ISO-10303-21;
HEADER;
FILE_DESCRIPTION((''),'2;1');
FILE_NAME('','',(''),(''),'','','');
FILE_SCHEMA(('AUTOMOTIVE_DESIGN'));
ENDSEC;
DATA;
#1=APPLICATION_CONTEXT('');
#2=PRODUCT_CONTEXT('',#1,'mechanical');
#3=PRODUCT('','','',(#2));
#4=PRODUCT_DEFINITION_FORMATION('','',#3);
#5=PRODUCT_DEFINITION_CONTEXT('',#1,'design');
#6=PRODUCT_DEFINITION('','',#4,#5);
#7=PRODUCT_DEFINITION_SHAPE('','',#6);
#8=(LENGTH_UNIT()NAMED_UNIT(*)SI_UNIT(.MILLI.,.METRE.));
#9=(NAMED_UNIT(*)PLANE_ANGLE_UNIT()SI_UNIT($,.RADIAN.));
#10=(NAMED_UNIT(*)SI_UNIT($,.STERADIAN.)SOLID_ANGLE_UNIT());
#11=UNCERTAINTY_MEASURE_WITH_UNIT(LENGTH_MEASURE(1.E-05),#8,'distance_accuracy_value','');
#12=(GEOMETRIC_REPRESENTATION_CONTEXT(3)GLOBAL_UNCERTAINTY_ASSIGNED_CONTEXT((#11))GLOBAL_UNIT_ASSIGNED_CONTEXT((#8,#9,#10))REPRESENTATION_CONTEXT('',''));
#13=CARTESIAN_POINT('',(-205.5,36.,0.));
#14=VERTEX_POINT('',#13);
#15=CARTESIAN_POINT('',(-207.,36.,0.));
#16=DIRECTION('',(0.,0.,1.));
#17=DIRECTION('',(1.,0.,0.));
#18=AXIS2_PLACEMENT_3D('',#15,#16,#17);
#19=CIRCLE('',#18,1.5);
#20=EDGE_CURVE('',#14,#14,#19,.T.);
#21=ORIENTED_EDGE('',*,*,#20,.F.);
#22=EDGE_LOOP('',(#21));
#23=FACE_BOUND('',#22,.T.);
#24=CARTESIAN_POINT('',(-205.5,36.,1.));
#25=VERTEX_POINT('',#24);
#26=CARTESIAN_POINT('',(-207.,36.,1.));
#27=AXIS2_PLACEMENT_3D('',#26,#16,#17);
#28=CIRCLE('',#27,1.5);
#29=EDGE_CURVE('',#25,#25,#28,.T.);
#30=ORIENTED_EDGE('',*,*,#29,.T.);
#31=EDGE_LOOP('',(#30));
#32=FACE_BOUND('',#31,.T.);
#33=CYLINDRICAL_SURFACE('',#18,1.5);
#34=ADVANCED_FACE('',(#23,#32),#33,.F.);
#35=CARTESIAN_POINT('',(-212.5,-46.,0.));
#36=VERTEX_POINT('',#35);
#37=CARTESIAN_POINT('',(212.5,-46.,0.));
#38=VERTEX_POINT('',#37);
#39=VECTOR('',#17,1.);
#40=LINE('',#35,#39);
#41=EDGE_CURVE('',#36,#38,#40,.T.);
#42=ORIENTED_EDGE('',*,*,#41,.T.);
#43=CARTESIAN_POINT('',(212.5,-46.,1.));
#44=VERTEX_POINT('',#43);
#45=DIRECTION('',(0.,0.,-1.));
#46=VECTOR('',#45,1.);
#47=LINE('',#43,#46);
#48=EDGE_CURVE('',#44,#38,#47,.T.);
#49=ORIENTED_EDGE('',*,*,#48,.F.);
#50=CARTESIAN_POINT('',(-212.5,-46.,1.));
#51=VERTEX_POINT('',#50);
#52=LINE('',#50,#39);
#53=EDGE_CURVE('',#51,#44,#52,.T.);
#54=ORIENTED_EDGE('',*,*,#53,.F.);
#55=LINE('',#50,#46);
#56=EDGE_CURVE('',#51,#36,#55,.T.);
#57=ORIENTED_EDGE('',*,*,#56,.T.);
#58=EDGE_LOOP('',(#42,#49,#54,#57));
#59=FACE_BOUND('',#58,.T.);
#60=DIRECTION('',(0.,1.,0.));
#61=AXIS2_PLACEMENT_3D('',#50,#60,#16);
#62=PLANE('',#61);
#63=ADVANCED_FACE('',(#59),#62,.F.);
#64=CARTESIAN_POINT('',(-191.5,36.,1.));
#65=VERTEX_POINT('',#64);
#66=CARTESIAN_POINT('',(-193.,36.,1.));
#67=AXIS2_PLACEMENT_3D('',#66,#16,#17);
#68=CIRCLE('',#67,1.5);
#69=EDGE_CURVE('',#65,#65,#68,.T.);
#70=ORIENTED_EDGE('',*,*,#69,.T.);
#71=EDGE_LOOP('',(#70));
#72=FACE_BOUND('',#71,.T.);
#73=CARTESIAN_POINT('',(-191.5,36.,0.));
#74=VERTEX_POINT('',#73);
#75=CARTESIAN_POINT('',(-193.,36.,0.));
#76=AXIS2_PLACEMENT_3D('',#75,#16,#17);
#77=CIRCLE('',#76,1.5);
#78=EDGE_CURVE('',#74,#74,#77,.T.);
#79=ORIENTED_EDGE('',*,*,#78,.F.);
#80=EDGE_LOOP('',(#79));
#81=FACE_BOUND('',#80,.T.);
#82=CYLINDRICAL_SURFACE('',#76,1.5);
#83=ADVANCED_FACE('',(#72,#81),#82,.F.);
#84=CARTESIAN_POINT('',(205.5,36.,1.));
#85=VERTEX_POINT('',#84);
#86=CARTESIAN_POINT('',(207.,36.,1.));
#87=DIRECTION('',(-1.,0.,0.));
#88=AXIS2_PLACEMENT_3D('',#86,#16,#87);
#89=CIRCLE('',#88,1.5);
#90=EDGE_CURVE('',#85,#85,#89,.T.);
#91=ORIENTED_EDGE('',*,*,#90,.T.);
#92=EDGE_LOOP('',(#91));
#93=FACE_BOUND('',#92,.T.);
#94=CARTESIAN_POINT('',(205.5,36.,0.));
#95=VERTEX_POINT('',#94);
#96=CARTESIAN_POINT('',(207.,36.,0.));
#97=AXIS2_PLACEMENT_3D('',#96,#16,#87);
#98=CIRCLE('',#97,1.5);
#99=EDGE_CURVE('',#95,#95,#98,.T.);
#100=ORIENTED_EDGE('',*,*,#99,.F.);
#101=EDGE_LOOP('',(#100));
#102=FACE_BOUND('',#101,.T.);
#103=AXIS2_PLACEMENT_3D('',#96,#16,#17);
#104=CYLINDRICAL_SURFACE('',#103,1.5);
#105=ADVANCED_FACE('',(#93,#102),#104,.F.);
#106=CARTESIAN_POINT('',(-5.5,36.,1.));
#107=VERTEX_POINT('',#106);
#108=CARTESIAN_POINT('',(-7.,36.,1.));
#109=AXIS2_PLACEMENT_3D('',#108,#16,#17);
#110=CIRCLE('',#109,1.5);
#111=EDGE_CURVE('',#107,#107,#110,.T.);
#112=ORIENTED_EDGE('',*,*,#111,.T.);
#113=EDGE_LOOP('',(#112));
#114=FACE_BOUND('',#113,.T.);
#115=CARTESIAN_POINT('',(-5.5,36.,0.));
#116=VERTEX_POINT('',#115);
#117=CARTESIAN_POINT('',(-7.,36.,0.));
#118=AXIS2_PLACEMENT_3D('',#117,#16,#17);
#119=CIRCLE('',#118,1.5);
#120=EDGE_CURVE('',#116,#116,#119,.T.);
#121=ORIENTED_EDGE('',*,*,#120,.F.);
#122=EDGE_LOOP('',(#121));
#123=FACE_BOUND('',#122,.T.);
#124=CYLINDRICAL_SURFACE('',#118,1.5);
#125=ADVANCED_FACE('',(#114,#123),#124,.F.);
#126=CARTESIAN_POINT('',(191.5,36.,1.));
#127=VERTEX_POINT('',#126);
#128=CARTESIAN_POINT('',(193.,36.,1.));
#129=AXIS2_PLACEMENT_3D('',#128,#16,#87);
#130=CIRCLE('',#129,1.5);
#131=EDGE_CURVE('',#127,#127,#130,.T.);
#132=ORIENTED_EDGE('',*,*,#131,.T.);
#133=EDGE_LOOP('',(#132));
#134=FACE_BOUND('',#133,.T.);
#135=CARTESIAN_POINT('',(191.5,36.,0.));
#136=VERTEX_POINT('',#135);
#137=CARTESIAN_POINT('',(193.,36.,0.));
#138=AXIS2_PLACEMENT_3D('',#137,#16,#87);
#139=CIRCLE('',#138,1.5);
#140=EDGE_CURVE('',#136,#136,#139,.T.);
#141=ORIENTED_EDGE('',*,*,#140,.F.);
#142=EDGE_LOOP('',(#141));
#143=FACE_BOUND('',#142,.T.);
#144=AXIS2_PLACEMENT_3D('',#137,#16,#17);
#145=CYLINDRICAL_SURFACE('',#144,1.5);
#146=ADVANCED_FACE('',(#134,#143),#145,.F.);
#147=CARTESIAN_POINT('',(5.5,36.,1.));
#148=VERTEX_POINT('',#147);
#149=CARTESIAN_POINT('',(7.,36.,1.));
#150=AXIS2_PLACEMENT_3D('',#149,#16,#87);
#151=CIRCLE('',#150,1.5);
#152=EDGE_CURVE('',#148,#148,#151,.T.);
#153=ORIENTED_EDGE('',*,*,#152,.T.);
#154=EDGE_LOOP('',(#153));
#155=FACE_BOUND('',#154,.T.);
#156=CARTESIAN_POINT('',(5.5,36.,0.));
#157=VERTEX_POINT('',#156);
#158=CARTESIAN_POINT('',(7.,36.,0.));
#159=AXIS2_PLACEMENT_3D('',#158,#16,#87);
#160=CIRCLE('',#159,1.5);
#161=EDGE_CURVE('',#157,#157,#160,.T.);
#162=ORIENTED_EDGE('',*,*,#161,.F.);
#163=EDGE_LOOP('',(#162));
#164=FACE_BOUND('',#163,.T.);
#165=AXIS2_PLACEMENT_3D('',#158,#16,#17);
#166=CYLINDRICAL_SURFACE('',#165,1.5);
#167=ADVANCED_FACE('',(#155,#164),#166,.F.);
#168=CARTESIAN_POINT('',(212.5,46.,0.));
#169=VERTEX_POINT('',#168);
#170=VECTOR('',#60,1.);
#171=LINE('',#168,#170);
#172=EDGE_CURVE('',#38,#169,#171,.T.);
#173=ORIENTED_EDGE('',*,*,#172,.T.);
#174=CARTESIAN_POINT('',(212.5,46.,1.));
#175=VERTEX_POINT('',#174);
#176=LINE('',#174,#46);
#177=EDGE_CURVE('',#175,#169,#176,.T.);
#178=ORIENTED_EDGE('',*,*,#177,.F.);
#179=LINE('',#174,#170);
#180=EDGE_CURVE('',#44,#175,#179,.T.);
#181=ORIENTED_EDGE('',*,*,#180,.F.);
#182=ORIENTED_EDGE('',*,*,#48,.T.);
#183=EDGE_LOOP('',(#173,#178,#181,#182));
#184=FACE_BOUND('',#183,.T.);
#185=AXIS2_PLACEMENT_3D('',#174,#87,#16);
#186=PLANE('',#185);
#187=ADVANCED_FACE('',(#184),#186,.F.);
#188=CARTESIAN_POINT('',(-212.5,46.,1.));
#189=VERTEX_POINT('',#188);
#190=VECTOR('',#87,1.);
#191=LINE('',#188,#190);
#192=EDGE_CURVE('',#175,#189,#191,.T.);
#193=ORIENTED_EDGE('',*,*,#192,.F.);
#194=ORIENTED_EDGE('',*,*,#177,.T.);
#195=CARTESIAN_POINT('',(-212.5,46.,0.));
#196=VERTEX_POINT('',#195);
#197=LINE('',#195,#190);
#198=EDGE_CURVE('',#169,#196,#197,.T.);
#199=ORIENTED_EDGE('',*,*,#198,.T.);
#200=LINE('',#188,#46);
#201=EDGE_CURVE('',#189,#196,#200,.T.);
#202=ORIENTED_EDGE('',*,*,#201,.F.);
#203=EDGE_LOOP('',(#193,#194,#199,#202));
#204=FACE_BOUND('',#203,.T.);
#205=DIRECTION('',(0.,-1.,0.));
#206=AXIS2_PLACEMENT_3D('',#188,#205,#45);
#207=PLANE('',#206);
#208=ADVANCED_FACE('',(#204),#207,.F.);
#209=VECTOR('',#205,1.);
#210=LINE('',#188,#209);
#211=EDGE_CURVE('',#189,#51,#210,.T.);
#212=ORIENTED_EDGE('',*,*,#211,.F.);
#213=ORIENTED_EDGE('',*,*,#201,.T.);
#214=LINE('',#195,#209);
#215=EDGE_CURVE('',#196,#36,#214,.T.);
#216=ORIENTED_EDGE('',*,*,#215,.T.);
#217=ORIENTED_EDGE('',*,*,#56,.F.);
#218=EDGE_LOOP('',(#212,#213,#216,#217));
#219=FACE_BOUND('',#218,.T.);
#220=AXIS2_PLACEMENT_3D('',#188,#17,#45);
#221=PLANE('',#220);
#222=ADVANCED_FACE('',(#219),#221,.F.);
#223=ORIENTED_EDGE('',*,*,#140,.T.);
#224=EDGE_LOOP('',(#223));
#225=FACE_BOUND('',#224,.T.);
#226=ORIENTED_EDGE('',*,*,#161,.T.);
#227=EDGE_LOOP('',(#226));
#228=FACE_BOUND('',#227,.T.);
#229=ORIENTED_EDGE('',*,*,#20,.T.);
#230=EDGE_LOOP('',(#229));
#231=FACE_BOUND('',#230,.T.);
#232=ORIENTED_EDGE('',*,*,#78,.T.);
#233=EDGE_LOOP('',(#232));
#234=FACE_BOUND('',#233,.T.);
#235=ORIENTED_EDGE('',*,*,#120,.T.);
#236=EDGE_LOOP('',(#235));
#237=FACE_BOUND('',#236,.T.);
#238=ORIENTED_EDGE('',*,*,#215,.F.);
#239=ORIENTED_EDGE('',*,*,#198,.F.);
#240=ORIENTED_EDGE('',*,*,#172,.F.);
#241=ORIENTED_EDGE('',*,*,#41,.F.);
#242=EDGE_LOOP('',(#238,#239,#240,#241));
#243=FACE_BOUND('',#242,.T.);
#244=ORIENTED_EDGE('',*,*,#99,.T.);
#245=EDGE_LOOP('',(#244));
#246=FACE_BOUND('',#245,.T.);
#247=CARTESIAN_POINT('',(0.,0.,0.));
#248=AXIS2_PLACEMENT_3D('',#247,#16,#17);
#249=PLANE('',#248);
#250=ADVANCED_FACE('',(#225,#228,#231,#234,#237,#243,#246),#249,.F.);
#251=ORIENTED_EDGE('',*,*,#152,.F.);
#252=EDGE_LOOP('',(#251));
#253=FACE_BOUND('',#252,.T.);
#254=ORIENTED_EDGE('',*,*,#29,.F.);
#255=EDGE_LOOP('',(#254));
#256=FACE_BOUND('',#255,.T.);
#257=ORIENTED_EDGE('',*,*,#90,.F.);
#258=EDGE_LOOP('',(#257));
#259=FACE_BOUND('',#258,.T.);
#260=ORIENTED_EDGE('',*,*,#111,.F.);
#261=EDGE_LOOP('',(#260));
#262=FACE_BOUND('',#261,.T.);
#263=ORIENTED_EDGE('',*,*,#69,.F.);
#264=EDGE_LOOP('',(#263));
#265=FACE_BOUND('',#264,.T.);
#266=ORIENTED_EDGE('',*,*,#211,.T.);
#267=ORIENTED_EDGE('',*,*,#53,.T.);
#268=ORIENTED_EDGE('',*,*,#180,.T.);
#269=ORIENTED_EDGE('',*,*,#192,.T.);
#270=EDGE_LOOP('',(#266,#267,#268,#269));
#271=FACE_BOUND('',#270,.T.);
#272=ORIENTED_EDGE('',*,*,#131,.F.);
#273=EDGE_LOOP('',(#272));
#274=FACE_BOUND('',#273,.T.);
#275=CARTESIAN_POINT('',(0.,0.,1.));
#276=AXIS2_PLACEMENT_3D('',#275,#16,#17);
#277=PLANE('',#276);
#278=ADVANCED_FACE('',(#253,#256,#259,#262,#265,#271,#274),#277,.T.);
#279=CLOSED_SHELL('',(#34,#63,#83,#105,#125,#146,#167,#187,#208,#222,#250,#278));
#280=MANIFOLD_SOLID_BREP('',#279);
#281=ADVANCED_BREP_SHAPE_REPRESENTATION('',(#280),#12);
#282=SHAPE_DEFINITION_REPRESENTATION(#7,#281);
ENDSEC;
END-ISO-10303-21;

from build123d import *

# Parameters (mm, degrees)
SKETCH_1_W          = 425
SKETCH_1_H          = 92
EXTRUDE_1_DEPTH     = 1
SKETCH_2_R          = 1.5
CUT_EXTRUDE_1_DEPTH = 218.424124696


with BuildPart() as part:
    # 草图1 → 凸台-拉伸1 (new body)
    with BuildSketch(Plane.XY):
        Rectangle(SKETCH_1_W, SKETCH_1_H)
    extrude(amount=EXTRUDE_1_DEPTH)

    # 草图2 → 切除-拉伸1 (cut, through all)
    with BuildSketch(Plane.XY.offset(1)):
        with Locations((-7, 36)):
            Circle(SKETCH_2_R)
        with Locations((-207, 36)):
            Circle(SKETCH_2_R)
        with Locations((-193, 36)):
            Circle(SKETCH_2_R)
        with Locations(Location((193, 36, 0), (0, 0, 180))):
            Circle(SKETCH_2_R)
        with Locations(Location((207, 36, 0), (0, 0, 180))):
            Circle(SKETCH_2_R)
        with Locations(Location((7, 36, 0), (0, 0, 180))):
            Circle(SKETCH_2_R)
    extrude(amount=-CUT_EXTRUDE_1_DEPTH, mode=Mode.SUBTRACT)


solid = part.part
